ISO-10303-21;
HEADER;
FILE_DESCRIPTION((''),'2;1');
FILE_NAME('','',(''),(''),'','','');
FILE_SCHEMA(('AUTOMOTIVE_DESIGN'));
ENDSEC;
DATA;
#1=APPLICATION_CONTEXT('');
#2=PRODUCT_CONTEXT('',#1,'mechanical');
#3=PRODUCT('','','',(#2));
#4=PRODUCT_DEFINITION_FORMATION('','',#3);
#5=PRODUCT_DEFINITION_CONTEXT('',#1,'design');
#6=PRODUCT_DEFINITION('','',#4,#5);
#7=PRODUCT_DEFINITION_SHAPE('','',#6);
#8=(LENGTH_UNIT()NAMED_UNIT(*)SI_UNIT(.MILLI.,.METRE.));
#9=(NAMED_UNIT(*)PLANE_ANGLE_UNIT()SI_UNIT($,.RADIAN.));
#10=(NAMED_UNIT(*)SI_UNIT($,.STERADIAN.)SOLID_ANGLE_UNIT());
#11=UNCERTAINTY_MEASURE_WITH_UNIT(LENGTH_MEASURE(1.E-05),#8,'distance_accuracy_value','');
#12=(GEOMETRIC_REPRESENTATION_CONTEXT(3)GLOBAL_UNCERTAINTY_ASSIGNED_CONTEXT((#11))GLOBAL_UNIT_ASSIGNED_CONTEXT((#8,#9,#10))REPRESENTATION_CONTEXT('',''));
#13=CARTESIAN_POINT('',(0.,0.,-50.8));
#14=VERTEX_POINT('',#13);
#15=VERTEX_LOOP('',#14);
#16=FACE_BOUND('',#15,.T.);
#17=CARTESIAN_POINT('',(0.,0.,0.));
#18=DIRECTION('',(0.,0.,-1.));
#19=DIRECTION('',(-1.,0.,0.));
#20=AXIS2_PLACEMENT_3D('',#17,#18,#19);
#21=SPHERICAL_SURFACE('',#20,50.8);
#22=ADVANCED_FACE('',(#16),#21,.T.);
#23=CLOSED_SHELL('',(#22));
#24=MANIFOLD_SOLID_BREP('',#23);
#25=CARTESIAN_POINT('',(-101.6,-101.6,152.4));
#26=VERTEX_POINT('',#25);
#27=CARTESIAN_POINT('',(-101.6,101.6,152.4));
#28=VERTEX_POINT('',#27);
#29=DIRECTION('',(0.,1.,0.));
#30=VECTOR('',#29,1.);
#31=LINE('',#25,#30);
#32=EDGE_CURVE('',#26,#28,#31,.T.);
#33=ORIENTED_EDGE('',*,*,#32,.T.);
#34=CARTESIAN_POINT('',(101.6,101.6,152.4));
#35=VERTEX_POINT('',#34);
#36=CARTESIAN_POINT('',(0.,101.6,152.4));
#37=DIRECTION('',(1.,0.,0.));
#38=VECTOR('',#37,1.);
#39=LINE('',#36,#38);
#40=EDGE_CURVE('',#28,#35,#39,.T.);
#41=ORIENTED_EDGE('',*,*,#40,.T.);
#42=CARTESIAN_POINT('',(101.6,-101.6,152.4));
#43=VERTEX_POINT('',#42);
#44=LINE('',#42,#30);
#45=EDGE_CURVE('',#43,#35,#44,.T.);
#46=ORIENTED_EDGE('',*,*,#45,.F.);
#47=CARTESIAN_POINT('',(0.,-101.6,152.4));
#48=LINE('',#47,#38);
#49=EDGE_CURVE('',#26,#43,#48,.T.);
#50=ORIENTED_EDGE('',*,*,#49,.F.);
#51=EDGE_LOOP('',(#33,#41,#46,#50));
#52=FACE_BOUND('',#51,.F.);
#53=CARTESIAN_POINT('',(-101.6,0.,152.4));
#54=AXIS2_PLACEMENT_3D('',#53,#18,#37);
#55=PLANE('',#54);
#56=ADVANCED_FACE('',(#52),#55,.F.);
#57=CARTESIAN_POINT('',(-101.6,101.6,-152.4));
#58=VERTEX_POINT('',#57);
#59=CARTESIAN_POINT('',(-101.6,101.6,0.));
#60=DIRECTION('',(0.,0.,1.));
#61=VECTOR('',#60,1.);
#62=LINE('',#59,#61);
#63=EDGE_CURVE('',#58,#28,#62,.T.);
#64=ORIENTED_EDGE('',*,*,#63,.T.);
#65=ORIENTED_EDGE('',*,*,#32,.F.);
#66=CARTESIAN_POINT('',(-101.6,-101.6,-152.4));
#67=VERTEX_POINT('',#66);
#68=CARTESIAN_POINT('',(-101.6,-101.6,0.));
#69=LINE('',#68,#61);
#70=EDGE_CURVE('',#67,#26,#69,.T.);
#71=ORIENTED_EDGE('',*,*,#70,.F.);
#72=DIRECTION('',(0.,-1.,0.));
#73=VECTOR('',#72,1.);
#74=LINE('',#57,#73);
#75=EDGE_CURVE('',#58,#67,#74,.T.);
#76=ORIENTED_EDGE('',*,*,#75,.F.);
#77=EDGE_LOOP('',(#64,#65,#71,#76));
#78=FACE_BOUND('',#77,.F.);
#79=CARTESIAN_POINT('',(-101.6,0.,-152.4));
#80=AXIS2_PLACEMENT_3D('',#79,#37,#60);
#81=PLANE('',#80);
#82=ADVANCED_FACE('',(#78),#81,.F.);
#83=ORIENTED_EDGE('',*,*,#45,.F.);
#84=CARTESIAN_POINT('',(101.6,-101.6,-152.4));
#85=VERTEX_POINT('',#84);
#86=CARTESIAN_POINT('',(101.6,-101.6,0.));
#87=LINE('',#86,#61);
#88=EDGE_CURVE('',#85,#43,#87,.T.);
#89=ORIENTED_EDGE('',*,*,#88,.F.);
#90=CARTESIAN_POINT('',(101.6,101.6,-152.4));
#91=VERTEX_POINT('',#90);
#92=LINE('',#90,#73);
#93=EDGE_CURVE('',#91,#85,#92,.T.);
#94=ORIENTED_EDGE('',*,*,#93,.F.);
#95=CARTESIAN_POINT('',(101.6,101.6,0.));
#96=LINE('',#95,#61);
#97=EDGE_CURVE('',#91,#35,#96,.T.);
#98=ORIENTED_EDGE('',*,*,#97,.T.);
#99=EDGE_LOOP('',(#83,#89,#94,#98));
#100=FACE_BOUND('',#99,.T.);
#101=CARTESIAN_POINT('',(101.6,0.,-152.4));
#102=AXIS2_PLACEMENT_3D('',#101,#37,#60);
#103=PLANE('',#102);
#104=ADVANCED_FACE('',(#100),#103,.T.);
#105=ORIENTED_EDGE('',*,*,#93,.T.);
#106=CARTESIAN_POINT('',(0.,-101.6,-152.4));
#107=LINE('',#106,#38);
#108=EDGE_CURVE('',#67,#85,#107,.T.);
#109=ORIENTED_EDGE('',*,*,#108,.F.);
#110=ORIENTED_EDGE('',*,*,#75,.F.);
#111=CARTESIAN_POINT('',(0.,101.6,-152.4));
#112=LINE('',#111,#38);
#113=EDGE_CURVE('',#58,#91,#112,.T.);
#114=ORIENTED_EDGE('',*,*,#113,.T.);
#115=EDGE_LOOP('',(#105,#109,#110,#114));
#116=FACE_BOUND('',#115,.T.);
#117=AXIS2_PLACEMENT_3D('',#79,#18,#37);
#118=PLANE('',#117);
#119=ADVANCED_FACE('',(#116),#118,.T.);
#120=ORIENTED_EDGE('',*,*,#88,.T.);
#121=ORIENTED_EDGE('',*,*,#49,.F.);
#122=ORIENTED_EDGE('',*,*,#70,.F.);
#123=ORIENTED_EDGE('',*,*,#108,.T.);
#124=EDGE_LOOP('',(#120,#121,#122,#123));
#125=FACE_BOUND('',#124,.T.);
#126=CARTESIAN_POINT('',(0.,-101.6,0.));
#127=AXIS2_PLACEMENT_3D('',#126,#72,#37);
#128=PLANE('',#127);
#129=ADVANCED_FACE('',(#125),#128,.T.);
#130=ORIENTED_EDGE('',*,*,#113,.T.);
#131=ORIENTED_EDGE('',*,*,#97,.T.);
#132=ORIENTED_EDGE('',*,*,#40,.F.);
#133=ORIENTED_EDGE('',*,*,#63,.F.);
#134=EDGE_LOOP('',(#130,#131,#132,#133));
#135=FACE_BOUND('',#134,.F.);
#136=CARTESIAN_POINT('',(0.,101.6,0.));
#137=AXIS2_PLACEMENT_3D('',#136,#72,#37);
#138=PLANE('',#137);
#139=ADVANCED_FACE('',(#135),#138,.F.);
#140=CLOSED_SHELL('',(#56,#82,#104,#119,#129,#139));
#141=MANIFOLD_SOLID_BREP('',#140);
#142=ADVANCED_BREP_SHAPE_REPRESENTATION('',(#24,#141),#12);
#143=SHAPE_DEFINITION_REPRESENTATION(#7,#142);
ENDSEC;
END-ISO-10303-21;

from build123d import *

# Parameters (mm, degrees)
F0_W     = 203.2
F0_H     = 304.8
F1_DEPTH = 101.6


with BuildPart() as f1:
    # F0 (on Front) → F1 (new body, symmetric)
    with BuildSketch(Plane.XZ):
        Rectangle(F0_W, F0_H)
    extrude(amount=F1_DEPTH, both=True)


with BuildPart() as f3:
    # F2 (on Front) → F3 (revolve)
    with BuildSketch(Plane.XZ):
        with BuildLine():
            Line((0, -50.8), (0, 50.8))
            ThreePointArc((0, 50.8), (-50.8, 0), (0, -50.8))
        make_face()
    revolve(axis=Axis((0, 0, 0), (0, 0, -1)))


solid = Compound([f1.part, f3.part])
